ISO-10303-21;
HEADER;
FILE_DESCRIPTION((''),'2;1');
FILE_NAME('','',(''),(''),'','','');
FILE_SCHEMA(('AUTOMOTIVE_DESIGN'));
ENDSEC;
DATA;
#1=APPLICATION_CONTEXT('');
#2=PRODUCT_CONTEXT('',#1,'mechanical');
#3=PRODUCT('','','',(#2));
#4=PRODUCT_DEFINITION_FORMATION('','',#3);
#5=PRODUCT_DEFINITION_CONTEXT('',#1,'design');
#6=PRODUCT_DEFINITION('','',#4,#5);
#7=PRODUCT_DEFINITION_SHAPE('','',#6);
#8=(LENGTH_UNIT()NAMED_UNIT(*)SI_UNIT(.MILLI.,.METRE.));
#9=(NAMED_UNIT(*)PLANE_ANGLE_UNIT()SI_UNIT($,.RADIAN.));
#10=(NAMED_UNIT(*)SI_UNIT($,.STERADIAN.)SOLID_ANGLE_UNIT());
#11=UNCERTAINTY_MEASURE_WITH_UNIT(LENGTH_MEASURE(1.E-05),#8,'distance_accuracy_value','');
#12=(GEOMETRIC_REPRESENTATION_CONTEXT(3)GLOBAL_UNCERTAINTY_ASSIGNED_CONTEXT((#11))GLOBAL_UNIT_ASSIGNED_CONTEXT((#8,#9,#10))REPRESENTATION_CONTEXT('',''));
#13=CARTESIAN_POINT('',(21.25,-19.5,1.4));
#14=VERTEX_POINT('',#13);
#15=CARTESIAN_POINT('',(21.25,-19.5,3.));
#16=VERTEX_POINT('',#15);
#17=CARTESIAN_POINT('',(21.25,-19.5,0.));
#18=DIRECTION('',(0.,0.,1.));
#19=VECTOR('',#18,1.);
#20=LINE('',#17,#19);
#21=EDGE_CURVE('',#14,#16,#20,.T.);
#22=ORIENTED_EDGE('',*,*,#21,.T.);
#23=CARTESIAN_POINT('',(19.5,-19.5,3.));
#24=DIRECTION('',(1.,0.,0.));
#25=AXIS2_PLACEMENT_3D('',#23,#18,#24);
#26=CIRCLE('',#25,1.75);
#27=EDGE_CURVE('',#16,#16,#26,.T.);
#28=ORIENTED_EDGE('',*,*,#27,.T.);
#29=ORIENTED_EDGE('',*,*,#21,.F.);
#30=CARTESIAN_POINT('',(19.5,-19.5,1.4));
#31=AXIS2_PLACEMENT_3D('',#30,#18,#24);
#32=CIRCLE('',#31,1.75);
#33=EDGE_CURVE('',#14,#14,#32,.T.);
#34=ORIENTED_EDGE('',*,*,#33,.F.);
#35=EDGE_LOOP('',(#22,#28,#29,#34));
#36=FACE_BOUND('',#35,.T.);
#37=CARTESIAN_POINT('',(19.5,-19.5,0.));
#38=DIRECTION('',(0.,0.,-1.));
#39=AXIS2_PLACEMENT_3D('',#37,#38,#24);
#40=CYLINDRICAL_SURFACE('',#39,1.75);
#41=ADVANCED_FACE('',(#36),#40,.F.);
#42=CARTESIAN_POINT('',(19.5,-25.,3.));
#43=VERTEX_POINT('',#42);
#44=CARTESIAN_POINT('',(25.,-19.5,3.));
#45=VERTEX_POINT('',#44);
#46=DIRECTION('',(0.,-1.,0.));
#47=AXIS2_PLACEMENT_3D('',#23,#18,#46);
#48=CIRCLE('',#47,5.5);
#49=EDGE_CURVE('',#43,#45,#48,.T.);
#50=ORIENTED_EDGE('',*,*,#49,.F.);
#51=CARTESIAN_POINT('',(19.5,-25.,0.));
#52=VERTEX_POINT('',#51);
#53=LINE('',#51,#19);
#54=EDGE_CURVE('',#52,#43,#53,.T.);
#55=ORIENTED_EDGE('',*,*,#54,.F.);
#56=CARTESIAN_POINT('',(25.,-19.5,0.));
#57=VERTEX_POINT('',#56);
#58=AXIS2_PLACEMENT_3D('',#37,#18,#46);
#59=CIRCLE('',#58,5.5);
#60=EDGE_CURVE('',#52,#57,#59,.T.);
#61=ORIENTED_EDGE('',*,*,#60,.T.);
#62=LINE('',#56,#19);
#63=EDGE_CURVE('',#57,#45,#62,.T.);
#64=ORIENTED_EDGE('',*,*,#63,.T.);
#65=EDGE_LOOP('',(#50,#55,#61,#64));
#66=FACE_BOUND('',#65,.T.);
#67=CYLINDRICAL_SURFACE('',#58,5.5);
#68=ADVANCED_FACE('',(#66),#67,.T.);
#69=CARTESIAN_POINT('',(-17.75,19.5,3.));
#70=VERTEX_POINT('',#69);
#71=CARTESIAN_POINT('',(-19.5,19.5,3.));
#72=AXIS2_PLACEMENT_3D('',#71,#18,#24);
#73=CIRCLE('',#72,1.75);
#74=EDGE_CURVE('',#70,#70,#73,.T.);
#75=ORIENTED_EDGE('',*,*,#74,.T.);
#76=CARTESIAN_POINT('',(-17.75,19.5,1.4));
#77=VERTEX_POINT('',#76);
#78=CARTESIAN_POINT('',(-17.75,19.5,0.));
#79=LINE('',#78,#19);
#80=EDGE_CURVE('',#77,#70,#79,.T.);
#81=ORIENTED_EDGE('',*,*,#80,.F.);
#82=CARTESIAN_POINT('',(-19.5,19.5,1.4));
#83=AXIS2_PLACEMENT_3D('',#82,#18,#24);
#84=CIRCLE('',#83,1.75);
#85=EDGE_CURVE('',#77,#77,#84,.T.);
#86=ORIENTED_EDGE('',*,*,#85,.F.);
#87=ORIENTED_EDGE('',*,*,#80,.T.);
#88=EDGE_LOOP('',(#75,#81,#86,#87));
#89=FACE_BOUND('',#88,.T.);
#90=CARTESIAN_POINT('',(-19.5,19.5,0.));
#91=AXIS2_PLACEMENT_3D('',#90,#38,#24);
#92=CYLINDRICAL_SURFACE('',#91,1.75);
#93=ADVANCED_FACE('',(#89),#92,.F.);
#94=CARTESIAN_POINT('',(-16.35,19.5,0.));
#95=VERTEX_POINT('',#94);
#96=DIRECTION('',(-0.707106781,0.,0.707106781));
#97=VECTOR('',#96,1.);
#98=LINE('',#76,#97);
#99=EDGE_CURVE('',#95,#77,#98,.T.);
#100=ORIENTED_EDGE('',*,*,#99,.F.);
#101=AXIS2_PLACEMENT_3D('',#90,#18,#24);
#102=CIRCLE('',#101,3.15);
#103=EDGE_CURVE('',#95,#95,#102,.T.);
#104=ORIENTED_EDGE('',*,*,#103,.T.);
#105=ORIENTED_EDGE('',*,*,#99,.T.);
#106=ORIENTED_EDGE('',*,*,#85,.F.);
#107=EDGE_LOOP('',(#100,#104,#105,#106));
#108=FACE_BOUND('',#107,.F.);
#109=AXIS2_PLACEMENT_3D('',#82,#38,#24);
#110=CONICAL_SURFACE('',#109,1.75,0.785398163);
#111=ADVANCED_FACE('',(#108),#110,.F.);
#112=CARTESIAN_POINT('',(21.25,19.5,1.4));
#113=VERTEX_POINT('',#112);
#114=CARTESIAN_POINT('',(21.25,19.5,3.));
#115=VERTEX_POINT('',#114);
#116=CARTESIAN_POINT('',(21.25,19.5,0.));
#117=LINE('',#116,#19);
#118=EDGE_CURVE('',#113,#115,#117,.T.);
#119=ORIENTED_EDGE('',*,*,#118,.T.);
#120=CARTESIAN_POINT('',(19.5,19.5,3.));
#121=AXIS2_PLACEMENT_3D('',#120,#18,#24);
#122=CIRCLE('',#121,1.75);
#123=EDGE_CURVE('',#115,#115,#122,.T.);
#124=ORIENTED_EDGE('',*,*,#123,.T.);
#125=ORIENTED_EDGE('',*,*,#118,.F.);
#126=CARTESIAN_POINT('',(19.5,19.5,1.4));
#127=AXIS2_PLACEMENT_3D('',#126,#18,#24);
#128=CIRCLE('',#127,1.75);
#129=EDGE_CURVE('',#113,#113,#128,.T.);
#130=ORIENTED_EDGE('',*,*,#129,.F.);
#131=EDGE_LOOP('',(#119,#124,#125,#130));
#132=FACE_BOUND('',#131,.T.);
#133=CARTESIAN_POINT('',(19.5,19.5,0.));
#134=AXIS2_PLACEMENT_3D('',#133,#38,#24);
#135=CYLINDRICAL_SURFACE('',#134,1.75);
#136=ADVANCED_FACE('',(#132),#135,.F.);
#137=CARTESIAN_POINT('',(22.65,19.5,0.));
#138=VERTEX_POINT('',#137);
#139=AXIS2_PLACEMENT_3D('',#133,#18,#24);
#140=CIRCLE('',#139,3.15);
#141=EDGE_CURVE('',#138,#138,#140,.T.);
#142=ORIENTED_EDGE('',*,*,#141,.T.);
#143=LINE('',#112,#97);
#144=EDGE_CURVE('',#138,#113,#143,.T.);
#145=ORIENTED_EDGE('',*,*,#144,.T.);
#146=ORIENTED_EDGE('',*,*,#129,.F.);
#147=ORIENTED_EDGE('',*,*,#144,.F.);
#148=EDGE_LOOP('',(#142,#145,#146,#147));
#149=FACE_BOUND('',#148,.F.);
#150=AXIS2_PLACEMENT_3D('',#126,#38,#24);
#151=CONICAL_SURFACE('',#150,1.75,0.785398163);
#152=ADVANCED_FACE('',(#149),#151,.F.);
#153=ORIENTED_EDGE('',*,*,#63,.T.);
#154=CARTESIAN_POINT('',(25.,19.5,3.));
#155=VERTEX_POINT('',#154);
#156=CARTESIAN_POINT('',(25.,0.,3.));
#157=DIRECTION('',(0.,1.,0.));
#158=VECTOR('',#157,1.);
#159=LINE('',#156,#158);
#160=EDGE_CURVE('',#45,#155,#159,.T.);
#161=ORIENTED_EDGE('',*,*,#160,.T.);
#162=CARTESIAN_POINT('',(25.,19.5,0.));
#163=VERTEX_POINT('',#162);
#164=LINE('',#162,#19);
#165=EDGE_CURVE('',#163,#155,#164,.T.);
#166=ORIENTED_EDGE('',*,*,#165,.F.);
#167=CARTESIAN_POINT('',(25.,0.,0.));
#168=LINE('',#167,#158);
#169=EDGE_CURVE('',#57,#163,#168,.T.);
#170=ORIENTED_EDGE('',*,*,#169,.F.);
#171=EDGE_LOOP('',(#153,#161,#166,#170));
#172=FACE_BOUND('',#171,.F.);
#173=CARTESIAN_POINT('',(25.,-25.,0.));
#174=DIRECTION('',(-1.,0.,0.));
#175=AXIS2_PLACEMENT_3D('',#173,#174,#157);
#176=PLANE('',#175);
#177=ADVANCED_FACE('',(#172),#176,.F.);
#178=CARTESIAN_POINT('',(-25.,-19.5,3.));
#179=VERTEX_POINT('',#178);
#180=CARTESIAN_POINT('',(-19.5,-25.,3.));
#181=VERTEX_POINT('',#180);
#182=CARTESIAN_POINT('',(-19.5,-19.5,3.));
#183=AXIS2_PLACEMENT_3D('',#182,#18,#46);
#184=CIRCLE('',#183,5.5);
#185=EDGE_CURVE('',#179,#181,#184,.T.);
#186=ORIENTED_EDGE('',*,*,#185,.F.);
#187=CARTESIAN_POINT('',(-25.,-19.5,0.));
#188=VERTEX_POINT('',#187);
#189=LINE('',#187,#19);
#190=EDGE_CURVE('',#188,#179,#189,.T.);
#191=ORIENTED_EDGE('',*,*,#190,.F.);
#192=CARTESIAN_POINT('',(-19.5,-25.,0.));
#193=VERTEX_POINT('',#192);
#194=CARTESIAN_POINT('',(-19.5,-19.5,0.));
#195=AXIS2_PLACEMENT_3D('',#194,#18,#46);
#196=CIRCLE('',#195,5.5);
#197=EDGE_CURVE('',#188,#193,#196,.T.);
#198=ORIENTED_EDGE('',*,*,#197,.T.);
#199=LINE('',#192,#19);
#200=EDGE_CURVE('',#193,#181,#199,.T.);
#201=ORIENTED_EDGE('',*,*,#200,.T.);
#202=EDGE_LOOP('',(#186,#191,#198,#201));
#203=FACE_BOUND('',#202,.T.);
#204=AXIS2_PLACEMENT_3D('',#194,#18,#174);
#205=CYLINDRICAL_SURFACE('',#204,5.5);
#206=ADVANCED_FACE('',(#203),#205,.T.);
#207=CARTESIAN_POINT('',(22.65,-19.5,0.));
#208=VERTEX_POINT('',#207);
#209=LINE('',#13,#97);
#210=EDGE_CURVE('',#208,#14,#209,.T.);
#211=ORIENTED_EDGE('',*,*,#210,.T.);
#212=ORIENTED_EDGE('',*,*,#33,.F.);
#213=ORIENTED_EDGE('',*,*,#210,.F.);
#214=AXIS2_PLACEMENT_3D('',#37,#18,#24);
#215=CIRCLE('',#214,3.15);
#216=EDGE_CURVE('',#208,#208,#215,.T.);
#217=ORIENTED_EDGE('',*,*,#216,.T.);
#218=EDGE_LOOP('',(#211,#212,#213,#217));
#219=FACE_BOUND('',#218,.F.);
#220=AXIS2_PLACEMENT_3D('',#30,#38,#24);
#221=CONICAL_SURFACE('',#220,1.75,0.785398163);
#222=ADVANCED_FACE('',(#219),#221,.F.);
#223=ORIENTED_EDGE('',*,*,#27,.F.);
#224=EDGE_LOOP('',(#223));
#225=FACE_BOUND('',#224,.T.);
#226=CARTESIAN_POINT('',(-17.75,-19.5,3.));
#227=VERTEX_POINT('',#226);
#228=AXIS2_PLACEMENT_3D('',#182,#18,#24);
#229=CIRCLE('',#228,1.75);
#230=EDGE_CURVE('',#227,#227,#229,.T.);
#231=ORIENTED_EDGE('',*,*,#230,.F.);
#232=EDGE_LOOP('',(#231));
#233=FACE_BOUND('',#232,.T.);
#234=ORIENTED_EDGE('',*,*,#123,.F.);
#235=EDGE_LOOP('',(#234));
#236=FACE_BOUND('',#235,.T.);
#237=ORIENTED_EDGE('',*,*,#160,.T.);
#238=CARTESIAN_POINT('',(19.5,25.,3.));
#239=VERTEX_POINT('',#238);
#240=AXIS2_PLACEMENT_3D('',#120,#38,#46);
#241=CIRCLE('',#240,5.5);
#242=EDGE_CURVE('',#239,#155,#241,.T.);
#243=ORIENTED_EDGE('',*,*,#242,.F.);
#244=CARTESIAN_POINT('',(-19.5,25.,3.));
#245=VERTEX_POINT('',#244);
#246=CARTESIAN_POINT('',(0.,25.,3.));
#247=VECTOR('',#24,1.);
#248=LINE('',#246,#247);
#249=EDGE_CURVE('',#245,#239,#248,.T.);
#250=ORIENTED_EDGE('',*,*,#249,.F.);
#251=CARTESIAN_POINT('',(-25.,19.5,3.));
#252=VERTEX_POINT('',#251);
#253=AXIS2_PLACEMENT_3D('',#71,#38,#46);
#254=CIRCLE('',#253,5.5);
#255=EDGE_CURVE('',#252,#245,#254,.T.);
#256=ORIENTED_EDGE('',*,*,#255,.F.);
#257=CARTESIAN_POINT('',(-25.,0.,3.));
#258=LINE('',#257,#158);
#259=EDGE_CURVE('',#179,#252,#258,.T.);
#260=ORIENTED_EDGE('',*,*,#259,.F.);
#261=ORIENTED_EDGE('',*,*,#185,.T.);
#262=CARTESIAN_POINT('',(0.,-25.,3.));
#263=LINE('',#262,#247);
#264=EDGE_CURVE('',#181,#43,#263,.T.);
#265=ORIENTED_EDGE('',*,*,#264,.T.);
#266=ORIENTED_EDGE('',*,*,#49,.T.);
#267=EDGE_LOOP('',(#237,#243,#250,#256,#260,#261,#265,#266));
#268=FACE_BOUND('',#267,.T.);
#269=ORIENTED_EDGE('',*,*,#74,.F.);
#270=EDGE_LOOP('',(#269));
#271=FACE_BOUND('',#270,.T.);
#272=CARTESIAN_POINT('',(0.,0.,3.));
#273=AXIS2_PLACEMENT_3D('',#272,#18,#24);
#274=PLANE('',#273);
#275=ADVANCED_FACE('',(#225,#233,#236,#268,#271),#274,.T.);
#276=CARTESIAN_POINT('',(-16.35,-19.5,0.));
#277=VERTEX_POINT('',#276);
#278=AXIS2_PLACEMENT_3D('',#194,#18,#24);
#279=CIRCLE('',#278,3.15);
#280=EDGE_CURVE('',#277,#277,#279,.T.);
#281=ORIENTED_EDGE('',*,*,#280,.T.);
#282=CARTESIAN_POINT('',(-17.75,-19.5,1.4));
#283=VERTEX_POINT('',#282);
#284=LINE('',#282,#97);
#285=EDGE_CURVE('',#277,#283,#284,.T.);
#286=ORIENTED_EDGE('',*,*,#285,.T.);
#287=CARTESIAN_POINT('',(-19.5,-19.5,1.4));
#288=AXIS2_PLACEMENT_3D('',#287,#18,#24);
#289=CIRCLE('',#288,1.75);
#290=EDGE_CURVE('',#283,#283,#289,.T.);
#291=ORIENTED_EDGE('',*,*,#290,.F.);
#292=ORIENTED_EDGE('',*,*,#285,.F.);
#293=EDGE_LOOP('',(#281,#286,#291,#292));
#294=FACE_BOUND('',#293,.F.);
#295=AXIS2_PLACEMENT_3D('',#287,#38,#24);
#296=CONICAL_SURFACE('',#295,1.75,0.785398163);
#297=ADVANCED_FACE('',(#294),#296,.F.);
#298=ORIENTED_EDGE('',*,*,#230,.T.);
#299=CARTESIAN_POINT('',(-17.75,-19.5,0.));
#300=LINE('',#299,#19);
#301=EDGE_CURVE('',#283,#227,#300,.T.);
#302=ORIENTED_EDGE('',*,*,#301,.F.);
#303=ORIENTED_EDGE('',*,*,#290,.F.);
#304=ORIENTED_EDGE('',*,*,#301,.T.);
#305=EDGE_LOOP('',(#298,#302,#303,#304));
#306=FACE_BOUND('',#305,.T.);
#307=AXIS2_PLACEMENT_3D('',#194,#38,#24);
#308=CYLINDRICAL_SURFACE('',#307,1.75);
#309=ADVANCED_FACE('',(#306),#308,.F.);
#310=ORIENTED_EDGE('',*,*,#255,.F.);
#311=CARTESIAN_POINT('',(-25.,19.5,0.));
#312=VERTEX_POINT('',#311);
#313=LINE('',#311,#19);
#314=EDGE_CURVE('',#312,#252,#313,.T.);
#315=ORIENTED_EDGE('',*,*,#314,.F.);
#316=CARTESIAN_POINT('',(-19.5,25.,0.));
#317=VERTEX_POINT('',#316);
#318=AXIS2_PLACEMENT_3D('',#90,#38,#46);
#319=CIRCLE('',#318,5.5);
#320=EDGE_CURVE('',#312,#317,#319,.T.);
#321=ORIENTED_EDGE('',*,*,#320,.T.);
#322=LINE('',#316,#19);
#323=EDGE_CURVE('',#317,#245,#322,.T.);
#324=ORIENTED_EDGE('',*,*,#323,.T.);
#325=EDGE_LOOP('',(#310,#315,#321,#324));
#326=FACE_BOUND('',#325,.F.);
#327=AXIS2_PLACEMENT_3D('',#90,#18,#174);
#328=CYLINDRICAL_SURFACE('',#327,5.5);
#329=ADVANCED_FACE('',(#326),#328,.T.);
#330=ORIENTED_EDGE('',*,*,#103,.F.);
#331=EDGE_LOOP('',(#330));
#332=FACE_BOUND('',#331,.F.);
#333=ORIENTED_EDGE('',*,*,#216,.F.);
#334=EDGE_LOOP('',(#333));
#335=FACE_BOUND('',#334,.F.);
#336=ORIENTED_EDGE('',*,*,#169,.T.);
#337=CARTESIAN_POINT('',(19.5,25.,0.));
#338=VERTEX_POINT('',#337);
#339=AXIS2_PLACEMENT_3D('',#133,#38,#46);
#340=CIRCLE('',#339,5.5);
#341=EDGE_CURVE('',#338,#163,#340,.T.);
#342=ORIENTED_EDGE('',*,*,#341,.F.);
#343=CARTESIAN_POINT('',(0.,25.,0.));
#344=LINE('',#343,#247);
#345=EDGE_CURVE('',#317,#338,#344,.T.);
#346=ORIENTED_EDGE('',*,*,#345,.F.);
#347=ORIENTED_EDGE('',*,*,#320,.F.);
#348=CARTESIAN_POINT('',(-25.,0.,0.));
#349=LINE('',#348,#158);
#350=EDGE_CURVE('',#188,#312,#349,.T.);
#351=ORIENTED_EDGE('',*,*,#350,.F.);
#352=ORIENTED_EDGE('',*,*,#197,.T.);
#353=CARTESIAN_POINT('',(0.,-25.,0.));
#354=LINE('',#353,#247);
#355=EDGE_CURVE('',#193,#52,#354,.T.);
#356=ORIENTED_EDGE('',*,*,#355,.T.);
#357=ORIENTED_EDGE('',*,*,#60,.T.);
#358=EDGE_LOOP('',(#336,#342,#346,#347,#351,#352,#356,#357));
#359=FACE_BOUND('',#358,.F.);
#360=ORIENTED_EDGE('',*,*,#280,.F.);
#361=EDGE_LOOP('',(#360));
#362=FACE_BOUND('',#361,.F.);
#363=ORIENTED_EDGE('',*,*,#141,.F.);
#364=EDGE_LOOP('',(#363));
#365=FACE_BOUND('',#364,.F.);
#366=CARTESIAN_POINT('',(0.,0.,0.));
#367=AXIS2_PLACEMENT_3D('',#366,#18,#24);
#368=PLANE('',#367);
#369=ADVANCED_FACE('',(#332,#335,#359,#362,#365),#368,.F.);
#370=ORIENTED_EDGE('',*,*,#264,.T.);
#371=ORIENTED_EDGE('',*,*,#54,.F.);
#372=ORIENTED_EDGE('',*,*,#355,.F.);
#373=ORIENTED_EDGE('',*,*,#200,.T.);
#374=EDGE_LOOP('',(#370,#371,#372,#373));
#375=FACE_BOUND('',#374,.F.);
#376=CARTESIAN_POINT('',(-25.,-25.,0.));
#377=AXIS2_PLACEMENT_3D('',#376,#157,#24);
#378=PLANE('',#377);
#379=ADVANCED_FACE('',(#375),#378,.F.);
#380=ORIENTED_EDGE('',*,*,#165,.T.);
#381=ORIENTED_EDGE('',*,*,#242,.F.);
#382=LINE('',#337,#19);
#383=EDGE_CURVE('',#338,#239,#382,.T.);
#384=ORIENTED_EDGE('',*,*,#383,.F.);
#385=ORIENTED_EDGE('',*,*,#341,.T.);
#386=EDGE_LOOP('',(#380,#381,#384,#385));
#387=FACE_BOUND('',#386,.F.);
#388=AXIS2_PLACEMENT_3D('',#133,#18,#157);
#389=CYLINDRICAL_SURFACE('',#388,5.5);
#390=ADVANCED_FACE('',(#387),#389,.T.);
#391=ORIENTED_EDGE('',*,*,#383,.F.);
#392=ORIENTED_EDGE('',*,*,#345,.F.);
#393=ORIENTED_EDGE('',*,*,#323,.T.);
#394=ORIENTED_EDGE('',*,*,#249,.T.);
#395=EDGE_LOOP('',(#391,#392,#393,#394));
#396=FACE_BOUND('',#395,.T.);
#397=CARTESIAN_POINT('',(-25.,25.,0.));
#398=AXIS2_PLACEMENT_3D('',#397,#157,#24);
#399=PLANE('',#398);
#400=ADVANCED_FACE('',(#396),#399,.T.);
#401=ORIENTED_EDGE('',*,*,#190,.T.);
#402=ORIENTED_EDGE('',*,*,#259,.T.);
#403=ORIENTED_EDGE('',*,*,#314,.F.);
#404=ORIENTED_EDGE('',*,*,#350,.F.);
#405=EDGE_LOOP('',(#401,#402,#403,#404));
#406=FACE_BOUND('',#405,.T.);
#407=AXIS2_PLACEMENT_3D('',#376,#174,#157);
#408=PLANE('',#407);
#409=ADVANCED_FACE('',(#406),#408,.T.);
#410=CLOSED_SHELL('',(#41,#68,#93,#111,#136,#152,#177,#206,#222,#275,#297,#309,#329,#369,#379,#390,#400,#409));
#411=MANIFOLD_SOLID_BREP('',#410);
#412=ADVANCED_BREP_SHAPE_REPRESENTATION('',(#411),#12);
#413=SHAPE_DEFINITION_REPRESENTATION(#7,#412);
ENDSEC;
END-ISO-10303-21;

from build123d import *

# Parameters (mm, degrees)
F0_W     = 50
F0_H     = 50
F0_R     = 1.75
F1_DEPTH = 3
F2_R     = 5.5
F3_SIZE  = 1.4


with BuildPart() as f1:
    # F0 (on Top) → F1 (new body)
    with BuildSketch(Plane.XY):
        Rectangle(F0_W, F0_H)
        with Locations((-19.5, -19.5)):
            Circle(F0_R, mode=Mode.SUBTRACT)
        with Locations((19.5, -19.5)):
            Circle(F0_R, mode=Mode.SUBTRACT)
        with Locations((-19.5, 19.5)):
            Circle(F0_R, mode=Mode.SUBTRACT)
        with Locations((19.5, 19.5)):
            Circle(F0_R, mode=Mode.SUBTRACT)
    extrude(amount=F1_DEPTH)

    # F2
    f2_edges = [f1.edges().sort_by_distance(p)[0] for p in [
        (-25, -25, 1.5),
        (25, -25, 1.5),
        (25, 25, 1.5),
        (-25, 25, 1.5),
    ]]
    fillet(f2_edges, radius=F2_R)

    # F3
    f3_edges = [f1.edges().sort_by_distance(p)[0] for p in [
        (-21.25, -19.5, 0),
        (-21.25, 19.5, 0),
        (17.75, 19.5, 0),
        (17.75, -19.5, 0),
    ]]
    chamfer(f3_edges, length=F3_SIZE)


solid = f1.part
